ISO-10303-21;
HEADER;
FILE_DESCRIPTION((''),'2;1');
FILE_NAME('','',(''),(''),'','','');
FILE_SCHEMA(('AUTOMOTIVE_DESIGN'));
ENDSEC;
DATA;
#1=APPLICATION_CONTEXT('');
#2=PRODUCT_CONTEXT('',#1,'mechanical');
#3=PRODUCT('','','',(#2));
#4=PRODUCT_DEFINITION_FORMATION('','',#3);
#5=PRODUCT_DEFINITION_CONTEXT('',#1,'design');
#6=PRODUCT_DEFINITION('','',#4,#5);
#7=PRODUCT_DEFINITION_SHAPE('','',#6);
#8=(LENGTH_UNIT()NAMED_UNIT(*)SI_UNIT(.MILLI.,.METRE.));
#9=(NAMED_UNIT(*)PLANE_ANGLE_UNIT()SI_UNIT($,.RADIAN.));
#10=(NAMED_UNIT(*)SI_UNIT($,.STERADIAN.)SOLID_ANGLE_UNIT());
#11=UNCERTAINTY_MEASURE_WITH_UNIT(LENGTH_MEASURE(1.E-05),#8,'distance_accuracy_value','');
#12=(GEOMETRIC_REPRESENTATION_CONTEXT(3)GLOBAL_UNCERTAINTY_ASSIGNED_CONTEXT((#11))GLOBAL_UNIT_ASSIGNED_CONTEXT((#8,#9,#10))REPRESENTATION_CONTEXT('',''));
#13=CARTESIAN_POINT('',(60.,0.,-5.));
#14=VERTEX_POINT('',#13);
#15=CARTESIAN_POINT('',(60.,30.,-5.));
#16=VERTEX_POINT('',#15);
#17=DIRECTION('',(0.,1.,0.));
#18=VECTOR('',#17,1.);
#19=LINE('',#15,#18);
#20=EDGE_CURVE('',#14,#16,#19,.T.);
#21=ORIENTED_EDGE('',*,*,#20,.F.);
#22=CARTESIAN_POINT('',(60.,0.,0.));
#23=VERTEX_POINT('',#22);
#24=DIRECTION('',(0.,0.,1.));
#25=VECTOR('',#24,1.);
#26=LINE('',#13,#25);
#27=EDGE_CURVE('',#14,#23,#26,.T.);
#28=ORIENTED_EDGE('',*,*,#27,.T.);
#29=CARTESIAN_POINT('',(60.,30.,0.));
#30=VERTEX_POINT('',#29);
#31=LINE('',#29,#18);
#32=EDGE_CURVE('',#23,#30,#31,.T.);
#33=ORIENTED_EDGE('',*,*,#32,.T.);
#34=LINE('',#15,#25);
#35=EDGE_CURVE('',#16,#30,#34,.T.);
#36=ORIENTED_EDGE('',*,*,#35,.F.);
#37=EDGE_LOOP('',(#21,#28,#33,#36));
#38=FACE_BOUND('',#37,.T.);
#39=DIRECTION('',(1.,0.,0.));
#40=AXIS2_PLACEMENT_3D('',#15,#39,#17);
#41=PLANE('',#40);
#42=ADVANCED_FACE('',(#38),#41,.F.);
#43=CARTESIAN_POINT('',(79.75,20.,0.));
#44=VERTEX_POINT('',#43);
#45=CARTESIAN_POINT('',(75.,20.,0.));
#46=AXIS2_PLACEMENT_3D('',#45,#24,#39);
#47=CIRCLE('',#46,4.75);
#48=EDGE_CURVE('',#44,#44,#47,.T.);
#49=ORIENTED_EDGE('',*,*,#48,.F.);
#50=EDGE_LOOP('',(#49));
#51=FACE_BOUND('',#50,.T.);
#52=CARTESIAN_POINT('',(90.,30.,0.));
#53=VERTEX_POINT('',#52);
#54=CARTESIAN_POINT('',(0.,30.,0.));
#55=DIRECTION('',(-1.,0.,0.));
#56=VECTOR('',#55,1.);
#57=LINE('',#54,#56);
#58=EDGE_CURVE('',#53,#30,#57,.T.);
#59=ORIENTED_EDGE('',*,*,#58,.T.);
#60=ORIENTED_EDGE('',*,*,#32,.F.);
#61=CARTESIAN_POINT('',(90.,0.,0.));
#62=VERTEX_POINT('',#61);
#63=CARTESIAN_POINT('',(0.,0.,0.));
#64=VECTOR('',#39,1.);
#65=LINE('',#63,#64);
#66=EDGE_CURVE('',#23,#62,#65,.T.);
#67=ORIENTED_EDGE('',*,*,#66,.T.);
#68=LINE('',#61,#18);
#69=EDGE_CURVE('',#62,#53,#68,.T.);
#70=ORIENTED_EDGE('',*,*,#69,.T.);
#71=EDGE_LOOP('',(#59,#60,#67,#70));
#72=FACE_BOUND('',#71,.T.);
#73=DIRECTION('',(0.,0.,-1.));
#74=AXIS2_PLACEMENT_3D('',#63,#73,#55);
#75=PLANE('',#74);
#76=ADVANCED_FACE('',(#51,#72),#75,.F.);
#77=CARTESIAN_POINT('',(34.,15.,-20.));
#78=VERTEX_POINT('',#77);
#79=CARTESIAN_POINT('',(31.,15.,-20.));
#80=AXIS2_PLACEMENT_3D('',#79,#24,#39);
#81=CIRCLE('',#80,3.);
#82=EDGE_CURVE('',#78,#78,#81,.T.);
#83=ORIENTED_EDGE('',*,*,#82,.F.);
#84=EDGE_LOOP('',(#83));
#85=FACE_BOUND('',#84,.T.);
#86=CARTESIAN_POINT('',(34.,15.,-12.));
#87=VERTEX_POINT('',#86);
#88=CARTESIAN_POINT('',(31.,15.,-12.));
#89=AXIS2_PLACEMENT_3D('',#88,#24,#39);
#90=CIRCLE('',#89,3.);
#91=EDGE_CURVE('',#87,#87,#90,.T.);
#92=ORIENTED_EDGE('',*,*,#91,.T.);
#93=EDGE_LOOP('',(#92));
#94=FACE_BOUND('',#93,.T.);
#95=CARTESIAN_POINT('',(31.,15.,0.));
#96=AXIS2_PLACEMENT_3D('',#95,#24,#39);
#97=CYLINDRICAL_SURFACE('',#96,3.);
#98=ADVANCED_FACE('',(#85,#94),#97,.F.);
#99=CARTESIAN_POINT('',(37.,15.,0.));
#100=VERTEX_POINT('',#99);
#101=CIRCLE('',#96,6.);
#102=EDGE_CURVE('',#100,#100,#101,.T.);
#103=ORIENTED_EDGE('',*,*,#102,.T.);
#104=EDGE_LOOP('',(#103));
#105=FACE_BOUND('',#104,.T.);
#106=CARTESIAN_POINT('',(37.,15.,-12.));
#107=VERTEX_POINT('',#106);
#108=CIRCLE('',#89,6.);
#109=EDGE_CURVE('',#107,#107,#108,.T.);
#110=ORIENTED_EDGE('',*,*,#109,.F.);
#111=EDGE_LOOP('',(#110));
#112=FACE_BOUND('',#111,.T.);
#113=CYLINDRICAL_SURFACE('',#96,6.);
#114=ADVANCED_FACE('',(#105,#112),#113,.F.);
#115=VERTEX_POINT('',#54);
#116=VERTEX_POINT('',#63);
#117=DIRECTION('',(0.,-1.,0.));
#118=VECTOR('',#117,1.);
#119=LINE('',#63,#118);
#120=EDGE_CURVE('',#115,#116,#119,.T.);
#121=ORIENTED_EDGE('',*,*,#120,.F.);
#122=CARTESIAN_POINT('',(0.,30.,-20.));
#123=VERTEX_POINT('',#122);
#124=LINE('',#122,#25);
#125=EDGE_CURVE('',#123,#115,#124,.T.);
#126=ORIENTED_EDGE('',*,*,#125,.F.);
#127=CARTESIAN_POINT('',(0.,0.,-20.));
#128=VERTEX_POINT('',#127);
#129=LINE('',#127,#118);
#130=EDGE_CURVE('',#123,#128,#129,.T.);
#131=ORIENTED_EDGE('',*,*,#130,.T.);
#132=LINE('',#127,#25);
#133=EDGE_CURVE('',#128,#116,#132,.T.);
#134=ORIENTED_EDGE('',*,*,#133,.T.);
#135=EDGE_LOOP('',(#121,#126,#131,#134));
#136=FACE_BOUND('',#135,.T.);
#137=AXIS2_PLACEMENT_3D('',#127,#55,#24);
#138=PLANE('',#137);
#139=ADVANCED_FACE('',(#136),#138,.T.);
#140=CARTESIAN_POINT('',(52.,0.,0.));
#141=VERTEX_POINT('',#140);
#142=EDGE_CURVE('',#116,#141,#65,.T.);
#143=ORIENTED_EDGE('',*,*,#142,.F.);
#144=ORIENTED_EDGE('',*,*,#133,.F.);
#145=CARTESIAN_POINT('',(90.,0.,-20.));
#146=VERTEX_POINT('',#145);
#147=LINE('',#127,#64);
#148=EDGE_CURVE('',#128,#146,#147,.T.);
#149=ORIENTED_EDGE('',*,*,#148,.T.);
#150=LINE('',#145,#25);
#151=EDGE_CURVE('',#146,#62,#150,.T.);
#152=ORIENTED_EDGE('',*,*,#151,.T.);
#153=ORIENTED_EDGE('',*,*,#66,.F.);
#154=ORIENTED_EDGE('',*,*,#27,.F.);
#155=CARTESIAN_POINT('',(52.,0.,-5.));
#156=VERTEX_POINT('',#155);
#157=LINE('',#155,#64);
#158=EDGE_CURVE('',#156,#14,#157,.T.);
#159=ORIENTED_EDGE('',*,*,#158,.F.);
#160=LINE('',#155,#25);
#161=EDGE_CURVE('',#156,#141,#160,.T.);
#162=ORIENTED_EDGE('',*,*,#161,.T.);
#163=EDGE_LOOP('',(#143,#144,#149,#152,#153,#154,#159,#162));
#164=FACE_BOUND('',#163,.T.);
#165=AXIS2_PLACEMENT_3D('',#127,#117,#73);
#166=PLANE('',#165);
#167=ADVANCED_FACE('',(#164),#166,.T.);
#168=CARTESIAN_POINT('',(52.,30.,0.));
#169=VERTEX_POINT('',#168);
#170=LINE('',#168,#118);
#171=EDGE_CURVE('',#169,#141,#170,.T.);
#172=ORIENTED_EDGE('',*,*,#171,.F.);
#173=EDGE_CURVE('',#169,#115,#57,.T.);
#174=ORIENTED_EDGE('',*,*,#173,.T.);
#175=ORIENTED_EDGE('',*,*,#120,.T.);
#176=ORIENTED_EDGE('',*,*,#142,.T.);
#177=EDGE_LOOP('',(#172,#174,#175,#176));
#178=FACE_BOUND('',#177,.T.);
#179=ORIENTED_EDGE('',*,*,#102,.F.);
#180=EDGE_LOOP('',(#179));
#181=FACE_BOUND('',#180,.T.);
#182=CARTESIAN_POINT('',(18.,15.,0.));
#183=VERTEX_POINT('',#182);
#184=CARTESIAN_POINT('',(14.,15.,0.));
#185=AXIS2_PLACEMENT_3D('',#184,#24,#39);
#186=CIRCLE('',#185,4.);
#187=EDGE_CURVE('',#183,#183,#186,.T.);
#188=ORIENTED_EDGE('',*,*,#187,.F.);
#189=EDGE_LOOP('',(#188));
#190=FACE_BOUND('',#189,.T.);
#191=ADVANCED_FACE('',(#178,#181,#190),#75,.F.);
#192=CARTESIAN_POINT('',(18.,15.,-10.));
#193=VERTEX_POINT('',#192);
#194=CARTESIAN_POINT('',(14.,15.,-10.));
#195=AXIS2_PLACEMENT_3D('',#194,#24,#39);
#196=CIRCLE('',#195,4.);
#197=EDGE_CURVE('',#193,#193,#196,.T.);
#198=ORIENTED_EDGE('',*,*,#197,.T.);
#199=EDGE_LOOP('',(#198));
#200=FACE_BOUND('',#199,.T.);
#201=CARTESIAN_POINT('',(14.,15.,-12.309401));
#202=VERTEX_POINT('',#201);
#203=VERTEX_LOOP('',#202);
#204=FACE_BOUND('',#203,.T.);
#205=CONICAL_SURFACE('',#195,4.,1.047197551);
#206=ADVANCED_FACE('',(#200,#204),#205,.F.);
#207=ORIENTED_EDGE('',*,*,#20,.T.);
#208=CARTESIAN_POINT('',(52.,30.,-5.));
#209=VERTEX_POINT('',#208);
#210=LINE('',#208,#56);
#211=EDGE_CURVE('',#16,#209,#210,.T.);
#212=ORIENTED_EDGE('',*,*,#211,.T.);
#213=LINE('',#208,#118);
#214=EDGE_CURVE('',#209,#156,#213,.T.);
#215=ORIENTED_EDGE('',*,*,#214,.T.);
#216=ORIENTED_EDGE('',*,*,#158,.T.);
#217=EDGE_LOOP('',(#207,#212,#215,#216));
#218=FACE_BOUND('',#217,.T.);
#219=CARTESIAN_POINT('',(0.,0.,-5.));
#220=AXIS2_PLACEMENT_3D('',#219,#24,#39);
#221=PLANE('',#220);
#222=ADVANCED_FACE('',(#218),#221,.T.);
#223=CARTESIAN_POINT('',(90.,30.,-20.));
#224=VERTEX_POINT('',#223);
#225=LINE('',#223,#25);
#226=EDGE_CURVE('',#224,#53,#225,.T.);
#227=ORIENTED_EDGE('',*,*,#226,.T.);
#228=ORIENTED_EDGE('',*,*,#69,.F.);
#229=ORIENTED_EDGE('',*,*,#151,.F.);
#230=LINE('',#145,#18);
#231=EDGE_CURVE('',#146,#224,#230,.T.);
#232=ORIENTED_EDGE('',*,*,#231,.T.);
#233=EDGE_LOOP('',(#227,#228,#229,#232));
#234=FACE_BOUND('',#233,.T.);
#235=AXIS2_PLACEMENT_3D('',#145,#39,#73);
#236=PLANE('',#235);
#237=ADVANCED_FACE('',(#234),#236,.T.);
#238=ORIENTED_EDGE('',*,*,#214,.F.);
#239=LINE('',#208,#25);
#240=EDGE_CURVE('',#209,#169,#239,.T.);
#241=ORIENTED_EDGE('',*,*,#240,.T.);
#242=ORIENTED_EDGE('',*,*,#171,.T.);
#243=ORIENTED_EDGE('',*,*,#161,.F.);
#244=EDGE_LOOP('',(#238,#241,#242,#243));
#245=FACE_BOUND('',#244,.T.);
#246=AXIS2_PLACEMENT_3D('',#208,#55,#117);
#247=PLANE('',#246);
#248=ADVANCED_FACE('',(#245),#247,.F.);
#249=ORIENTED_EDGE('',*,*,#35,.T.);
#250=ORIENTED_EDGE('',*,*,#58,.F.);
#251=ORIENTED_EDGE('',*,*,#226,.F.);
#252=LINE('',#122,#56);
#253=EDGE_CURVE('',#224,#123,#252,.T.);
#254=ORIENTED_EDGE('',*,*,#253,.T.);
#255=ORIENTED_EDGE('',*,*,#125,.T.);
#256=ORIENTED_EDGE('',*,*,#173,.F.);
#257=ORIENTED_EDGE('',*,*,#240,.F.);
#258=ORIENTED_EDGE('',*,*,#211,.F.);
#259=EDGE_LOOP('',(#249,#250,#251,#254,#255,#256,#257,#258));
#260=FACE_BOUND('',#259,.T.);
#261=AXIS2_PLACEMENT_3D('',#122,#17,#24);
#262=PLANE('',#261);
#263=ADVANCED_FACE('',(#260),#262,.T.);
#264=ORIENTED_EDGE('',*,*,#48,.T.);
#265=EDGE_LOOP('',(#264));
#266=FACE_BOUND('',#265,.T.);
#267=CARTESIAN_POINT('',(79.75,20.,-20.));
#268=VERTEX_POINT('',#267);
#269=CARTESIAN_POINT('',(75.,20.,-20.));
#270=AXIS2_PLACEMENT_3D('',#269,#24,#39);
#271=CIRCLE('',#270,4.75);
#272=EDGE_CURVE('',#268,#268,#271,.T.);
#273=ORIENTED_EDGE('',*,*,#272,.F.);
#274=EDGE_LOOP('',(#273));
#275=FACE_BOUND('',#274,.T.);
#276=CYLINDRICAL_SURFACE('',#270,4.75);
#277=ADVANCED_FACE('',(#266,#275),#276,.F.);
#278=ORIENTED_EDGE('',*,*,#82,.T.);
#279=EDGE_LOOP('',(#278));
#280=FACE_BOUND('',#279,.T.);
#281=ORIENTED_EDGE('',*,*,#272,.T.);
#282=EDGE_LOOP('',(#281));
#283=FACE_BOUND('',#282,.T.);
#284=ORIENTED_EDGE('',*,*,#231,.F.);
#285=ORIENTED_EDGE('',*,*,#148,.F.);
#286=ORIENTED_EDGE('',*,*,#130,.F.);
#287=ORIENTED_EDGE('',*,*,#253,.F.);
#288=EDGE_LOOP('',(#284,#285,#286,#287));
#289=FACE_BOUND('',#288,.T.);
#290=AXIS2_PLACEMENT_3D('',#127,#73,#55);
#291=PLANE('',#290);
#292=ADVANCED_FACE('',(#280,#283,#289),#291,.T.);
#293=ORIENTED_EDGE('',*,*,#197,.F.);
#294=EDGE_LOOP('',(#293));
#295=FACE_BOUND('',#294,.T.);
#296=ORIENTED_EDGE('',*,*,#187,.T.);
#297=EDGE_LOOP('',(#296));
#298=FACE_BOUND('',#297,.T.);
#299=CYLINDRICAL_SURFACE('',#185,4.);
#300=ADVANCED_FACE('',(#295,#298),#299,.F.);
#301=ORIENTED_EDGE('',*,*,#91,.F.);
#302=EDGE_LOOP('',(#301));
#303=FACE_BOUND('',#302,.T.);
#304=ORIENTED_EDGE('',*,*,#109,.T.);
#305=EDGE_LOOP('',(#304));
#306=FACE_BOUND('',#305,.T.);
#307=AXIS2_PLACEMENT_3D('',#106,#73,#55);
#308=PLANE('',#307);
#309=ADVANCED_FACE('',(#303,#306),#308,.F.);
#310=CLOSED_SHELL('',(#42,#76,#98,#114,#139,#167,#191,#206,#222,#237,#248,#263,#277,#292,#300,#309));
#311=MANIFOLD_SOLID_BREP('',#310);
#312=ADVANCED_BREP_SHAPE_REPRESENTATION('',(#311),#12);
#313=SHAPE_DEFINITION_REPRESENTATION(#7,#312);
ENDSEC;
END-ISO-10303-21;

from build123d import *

# Parameters (mm, degrees)
SKETCH_1_W          = 90
SKETCH_1_H          = 30
EXTRUDE_1_DEPTH     = 20
SKETCH_2_W          = 8
SKETCH_2_H          = 30
CUT_EXTRUDE_1_DEPTH = 5
SKETCH_8_R          = 4.75
CUT_EXTRUDE_4_DEPTH = 97.953597148


with BuildPart() as part:
    # Эскиз1 → Бобышка-Вытянуть1 (new body)
    with BuildSketch(Plane.XY):
        with Locations((45, 15)):
            Rectangle(SKETCH_1_W, SKETCH_1_H)
    extrude(amount=-EXTRUDE_1_DEPTH)

    # Эскиз2 → Вырез-Вытянуть1 (cut)
    with BuildSketch(Plane.XY):
        with Locations((56, 15)):
            Rectangle(SKETCH_2_W, SKETCH_2_H)
    extrude(amount=-CUT_EXTRUDE_1_DEPTH, mode=Mode.SUBTRACT)

    # Эскиз8 → Вырез-Вытянуть4 (cut, through all)
    with BuildSketch(Plane.XY):
        with Locations((75, 20)):
            Circle(SKETCH_8_R)
    extrude(amount=-CUT_EXTRUDE_4_DEPTH, mode=Mode.SUBTRACT)

    # Эскиз5 → Вырез-Повернуть1 (revolve, cut)
    with BuildSketch(Plane(origin=(0, 15, 0), x_dir=(1, 0, 0), z_dir=(0, 1, 0))):
        Polygon((31, 0), (37, 0), (37, 12), (34, 12), (34, 20), (31, 20), align=None)
    revolve(axis=Axis((31, 15, 0), (0, 0, -1)), mode=Mode.SUBTRACT)

    # Эскиз6 → Вырез-Повернуть2 (revolve, cut)
    with BuildSketch(Plane(origin=(0, 15, 0), x_dir=(1, 0, 0), z_dir=(0, 1, 0))):
        Polygon((14, 0), (18, 0), (18, 10), (14, 12.309401077), align=None)
    revolve(axis=Axis((14, 15, 0), (0, 0, -1)), mode=Mode.SUBTRACT)


solid = part.part
